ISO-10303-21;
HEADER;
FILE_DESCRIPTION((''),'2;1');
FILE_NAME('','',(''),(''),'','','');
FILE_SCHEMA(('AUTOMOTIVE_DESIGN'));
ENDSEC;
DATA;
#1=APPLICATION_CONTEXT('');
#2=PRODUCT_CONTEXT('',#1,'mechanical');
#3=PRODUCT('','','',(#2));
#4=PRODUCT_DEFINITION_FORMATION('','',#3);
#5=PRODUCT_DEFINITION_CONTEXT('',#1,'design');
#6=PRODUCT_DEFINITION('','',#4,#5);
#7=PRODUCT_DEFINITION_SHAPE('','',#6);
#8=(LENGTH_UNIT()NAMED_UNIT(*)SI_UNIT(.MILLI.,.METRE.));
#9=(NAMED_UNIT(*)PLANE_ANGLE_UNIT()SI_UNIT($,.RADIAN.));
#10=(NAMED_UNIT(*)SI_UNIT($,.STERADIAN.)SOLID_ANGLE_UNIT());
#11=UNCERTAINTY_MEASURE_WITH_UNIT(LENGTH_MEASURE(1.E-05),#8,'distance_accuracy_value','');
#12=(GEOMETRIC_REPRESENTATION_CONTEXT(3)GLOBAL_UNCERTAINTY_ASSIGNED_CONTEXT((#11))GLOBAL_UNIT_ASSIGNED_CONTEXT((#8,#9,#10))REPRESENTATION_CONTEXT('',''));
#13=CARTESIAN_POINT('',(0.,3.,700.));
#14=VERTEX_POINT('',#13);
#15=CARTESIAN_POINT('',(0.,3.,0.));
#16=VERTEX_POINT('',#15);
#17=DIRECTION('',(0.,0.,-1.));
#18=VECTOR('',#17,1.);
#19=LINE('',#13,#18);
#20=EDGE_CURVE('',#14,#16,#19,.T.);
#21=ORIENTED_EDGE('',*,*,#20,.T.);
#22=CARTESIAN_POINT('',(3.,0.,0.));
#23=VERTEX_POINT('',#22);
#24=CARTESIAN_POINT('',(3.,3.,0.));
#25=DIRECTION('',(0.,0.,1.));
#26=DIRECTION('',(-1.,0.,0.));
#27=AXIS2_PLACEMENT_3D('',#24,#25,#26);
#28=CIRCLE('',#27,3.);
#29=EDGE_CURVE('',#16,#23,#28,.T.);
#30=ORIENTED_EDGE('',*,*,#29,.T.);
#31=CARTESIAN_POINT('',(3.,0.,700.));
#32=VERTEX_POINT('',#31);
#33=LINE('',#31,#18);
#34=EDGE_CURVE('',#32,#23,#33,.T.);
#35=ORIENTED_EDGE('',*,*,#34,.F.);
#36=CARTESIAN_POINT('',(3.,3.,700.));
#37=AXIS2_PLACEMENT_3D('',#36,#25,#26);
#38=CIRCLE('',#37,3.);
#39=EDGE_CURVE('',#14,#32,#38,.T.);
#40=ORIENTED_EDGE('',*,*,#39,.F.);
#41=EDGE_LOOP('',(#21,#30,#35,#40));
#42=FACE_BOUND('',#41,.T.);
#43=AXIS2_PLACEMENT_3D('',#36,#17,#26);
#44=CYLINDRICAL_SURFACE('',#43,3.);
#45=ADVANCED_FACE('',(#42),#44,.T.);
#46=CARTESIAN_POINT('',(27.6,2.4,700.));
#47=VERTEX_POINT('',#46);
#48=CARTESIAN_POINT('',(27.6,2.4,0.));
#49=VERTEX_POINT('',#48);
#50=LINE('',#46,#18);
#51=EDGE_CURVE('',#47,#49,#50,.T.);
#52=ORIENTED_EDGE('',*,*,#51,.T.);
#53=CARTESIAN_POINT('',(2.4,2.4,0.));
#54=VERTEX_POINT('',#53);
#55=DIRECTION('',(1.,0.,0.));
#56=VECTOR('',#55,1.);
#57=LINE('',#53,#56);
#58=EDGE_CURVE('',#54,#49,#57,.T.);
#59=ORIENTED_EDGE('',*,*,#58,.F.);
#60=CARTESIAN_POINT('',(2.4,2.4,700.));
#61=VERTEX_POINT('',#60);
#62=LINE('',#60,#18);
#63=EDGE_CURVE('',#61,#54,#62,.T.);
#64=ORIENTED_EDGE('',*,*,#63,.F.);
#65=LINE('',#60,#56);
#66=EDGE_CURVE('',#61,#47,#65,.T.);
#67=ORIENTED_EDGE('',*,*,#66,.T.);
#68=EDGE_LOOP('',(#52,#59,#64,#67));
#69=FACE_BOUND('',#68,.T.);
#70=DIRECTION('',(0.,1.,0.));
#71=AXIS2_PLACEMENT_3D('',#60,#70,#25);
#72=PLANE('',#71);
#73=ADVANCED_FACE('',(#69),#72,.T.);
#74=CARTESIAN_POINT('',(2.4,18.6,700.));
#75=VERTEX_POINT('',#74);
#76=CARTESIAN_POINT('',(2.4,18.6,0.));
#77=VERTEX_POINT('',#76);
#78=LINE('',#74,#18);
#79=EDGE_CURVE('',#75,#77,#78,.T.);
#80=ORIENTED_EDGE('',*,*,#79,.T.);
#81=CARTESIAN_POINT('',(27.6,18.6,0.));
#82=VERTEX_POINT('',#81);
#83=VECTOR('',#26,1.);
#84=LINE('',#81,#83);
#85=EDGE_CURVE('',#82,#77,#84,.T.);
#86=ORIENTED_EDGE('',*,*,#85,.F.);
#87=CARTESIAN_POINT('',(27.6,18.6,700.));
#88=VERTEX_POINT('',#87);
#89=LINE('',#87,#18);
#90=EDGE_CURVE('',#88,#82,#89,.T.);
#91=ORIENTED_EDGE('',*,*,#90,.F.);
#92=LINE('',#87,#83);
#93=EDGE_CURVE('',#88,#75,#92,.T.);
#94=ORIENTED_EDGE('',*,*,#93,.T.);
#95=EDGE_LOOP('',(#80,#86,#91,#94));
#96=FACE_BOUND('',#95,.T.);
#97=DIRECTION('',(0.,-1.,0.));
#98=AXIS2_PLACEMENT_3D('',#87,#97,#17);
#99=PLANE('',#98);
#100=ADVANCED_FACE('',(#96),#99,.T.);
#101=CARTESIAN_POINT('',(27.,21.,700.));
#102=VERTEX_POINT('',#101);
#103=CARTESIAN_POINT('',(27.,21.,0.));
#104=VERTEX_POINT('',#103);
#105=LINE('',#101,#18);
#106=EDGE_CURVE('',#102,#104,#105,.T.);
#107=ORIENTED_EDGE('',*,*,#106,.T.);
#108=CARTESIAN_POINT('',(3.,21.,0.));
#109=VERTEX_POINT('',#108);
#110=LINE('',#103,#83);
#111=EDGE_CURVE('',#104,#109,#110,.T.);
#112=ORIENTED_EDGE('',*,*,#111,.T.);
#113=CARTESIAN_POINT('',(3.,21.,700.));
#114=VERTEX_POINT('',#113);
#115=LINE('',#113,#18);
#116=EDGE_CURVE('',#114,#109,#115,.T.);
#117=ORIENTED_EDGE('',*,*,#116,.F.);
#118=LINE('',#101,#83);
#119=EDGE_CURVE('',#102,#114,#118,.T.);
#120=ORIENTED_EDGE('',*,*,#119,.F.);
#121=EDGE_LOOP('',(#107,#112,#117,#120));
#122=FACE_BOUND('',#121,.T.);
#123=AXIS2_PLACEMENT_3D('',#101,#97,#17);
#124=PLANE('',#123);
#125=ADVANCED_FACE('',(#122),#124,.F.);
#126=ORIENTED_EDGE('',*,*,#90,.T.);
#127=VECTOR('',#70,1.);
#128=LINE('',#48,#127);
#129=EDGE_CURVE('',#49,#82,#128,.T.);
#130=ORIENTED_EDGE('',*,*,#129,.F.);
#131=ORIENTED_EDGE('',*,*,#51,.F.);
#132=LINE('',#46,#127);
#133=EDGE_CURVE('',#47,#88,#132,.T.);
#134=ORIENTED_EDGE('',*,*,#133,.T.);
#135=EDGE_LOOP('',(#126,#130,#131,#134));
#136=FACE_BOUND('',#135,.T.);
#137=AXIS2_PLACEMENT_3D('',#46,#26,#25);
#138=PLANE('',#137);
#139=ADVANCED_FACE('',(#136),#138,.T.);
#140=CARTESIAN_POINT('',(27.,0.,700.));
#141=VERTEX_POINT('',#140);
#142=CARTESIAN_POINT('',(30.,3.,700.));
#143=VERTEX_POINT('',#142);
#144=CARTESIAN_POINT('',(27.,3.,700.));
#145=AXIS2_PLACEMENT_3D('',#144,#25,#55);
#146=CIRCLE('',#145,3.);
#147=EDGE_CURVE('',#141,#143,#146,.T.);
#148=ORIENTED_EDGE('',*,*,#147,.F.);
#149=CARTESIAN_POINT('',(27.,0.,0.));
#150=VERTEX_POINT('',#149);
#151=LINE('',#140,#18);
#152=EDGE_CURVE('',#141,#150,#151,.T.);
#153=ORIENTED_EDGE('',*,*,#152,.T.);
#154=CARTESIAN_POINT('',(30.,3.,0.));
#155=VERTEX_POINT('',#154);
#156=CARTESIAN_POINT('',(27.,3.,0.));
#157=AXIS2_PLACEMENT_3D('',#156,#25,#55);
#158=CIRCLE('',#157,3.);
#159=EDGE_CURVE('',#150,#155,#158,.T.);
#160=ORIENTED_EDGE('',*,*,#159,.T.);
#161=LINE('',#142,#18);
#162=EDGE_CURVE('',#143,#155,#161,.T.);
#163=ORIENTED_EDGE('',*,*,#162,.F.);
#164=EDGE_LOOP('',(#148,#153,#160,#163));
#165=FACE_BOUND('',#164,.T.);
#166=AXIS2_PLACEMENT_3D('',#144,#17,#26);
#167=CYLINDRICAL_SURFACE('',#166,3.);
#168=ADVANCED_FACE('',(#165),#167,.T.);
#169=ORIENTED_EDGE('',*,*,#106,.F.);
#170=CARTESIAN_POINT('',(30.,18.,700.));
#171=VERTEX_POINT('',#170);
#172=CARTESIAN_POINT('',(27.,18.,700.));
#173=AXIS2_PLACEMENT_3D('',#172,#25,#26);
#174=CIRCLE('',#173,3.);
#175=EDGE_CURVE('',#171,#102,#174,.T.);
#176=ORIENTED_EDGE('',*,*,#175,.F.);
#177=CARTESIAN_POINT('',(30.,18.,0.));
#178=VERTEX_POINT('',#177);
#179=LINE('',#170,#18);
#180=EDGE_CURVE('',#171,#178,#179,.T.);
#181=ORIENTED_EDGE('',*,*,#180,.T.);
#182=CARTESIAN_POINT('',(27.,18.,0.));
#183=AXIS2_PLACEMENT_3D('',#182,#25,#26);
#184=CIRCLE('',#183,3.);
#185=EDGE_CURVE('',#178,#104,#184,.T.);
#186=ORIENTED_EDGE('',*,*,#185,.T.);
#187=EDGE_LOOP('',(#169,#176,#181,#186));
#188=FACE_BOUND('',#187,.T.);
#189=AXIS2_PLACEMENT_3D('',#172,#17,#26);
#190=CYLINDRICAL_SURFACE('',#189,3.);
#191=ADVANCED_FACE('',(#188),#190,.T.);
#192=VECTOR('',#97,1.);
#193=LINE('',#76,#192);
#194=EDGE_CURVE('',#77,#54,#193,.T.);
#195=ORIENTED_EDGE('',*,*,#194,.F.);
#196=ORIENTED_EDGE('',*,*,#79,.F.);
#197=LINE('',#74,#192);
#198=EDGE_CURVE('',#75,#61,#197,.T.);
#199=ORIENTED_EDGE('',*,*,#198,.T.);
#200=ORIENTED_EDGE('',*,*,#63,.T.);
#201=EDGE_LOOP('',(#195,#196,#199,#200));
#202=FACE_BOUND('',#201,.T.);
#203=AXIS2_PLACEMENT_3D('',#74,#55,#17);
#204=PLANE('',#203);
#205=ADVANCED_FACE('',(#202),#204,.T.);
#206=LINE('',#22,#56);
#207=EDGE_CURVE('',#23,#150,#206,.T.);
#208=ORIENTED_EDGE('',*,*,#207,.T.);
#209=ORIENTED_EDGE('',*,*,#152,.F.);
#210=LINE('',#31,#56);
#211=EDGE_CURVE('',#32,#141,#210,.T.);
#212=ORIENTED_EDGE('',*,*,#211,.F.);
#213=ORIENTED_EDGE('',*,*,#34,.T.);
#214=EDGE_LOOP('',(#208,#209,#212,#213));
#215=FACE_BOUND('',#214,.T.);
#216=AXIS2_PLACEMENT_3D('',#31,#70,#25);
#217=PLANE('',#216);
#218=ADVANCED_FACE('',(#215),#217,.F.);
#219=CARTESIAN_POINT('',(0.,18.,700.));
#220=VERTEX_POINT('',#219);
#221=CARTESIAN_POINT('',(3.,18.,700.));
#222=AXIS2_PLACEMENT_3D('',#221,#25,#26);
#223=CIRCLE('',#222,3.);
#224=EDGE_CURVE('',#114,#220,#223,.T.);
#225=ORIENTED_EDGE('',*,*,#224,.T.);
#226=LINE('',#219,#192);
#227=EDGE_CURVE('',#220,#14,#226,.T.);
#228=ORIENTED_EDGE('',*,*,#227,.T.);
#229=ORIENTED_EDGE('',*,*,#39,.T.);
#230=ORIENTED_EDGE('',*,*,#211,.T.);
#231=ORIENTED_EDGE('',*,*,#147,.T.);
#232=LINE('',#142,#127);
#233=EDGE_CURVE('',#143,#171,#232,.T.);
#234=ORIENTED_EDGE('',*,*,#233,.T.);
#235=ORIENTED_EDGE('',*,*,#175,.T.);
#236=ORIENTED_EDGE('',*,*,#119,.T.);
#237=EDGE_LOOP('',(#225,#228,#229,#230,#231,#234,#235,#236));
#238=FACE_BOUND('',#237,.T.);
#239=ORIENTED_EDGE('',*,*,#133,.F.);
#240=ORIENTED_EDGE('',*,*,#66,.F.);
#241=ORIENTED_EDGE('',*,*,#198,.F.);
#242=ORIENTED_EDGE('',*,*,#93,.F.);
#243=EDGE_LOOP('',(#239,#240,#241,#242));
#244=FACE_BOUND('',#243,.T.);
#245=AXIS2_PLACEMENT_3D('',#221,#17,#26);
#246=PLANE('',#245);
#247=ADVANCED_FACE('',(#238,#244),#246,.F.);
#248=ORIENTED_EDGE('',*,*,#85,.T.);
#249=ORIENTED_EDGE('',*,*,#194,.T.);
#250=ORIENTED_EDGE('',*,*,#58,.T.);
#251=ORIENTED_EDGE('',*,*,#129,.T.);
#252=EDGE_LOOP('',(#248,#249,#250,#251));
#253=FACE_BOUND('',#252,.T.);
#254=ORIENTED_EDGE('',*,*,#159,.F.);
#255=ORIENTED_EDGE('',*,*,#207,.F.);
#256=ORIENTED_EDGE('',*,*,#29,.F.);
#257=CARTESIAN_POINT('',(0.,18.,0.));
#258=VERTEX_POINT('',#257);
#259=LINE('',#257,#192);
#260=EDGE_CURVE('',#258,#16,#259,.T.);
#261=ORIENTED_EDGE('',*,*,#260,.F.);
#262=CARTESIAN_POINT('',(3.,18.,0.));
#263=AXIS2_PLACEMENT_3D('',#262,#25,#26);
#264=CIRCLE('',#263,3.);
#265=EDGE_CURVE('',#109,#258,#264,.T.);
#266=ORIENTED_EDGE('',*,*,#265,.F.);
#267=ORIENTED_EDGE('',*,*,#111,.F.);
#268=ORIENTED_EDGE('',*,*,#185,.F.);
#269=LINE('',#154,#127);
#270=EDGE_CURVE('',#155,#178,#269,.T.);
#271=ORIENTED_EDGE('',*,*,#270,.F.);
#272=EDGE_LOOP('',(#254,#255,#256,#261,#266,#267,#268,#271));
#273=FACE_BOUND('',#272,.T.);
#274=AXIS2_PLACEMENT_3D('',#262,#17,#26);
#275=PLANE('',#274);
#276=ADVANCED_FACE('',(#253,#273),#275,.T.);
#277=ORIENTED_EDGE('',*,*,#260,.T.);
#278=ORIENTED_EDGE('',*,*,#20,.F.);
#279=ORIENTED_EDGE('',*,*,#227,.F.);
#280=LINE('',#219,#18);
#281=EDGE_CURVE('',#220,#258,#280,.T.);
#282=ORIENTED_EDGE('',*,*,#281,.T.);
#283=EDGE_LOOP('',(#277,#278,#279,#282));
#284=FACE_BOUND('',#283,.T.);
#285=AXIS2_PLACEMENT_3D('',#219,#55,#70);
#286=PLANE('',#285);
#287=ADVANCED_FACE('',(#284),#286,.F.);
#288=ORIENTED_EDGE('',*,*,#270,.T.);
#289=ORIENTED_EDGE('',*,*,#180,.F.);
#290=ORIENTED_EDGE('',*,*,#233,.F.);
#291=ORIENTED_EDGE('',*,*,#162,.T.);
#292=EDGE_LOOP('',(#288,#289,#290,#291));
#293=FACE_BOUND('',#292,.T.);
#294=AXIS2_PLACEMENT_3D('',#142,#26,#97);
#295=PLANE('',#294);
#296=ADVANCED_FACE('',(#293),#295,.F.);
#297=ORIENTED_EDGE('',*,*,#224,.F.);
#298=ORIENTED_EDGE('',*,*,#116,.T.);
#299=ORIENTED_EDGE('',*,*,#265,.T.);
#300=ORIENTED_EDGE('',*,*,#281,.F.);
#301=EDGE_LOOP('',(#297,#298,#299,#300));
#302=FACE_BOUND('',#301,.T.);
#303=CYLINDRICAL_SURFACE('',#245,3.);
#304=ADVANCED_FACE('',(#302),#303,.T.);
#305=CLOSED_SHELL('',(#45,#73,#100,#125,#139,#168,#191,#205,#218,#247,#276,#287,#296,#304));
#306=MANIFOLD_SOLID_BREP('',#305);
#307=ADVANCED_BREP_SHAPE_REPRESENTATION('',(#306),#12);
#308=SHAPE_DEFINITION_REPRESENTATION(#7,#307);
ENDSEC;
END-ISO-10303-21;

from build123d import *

# Parameters (mm, degrees)
SKETCH1_W           = 25.2
SKETCH1_H           = 16.2
BOSS_EXTRUDE1_DEPTH = 700


with BuildPart() as part:
    # Sketch1 → Boss-Extrude1 (new body)
    with BuildSketch(Plane.XY):
        with BuildLine():
            Line((3, 0), (27, 0))
            ThreePointArc((27, 0), (29.121320344, 0.878679656), (30, 3))
            Line((30, 3), (30, 18))
            ThreePointArc((30, 18), (29.121320344, 20.121320344), (27, 21))
            Line((27, 21), (3, 21))
            ThreePointArc((3, 21), (0.878679656, 20.121320344), (0, 18))
            Line((0, 18), (0, 3))
            ThreePointArc((0, 3), (0.878679656, 0.878679656), (3, 0))
        make_face()
        with Locations((15, 10.5)):
            Rectangle(SKETCH1_W, SKETCH1_H, mode=Mode.SUBTRACT)
    extrude(amount=BOSS_EXTRUDE1_DEPTH)


solid = part.part
